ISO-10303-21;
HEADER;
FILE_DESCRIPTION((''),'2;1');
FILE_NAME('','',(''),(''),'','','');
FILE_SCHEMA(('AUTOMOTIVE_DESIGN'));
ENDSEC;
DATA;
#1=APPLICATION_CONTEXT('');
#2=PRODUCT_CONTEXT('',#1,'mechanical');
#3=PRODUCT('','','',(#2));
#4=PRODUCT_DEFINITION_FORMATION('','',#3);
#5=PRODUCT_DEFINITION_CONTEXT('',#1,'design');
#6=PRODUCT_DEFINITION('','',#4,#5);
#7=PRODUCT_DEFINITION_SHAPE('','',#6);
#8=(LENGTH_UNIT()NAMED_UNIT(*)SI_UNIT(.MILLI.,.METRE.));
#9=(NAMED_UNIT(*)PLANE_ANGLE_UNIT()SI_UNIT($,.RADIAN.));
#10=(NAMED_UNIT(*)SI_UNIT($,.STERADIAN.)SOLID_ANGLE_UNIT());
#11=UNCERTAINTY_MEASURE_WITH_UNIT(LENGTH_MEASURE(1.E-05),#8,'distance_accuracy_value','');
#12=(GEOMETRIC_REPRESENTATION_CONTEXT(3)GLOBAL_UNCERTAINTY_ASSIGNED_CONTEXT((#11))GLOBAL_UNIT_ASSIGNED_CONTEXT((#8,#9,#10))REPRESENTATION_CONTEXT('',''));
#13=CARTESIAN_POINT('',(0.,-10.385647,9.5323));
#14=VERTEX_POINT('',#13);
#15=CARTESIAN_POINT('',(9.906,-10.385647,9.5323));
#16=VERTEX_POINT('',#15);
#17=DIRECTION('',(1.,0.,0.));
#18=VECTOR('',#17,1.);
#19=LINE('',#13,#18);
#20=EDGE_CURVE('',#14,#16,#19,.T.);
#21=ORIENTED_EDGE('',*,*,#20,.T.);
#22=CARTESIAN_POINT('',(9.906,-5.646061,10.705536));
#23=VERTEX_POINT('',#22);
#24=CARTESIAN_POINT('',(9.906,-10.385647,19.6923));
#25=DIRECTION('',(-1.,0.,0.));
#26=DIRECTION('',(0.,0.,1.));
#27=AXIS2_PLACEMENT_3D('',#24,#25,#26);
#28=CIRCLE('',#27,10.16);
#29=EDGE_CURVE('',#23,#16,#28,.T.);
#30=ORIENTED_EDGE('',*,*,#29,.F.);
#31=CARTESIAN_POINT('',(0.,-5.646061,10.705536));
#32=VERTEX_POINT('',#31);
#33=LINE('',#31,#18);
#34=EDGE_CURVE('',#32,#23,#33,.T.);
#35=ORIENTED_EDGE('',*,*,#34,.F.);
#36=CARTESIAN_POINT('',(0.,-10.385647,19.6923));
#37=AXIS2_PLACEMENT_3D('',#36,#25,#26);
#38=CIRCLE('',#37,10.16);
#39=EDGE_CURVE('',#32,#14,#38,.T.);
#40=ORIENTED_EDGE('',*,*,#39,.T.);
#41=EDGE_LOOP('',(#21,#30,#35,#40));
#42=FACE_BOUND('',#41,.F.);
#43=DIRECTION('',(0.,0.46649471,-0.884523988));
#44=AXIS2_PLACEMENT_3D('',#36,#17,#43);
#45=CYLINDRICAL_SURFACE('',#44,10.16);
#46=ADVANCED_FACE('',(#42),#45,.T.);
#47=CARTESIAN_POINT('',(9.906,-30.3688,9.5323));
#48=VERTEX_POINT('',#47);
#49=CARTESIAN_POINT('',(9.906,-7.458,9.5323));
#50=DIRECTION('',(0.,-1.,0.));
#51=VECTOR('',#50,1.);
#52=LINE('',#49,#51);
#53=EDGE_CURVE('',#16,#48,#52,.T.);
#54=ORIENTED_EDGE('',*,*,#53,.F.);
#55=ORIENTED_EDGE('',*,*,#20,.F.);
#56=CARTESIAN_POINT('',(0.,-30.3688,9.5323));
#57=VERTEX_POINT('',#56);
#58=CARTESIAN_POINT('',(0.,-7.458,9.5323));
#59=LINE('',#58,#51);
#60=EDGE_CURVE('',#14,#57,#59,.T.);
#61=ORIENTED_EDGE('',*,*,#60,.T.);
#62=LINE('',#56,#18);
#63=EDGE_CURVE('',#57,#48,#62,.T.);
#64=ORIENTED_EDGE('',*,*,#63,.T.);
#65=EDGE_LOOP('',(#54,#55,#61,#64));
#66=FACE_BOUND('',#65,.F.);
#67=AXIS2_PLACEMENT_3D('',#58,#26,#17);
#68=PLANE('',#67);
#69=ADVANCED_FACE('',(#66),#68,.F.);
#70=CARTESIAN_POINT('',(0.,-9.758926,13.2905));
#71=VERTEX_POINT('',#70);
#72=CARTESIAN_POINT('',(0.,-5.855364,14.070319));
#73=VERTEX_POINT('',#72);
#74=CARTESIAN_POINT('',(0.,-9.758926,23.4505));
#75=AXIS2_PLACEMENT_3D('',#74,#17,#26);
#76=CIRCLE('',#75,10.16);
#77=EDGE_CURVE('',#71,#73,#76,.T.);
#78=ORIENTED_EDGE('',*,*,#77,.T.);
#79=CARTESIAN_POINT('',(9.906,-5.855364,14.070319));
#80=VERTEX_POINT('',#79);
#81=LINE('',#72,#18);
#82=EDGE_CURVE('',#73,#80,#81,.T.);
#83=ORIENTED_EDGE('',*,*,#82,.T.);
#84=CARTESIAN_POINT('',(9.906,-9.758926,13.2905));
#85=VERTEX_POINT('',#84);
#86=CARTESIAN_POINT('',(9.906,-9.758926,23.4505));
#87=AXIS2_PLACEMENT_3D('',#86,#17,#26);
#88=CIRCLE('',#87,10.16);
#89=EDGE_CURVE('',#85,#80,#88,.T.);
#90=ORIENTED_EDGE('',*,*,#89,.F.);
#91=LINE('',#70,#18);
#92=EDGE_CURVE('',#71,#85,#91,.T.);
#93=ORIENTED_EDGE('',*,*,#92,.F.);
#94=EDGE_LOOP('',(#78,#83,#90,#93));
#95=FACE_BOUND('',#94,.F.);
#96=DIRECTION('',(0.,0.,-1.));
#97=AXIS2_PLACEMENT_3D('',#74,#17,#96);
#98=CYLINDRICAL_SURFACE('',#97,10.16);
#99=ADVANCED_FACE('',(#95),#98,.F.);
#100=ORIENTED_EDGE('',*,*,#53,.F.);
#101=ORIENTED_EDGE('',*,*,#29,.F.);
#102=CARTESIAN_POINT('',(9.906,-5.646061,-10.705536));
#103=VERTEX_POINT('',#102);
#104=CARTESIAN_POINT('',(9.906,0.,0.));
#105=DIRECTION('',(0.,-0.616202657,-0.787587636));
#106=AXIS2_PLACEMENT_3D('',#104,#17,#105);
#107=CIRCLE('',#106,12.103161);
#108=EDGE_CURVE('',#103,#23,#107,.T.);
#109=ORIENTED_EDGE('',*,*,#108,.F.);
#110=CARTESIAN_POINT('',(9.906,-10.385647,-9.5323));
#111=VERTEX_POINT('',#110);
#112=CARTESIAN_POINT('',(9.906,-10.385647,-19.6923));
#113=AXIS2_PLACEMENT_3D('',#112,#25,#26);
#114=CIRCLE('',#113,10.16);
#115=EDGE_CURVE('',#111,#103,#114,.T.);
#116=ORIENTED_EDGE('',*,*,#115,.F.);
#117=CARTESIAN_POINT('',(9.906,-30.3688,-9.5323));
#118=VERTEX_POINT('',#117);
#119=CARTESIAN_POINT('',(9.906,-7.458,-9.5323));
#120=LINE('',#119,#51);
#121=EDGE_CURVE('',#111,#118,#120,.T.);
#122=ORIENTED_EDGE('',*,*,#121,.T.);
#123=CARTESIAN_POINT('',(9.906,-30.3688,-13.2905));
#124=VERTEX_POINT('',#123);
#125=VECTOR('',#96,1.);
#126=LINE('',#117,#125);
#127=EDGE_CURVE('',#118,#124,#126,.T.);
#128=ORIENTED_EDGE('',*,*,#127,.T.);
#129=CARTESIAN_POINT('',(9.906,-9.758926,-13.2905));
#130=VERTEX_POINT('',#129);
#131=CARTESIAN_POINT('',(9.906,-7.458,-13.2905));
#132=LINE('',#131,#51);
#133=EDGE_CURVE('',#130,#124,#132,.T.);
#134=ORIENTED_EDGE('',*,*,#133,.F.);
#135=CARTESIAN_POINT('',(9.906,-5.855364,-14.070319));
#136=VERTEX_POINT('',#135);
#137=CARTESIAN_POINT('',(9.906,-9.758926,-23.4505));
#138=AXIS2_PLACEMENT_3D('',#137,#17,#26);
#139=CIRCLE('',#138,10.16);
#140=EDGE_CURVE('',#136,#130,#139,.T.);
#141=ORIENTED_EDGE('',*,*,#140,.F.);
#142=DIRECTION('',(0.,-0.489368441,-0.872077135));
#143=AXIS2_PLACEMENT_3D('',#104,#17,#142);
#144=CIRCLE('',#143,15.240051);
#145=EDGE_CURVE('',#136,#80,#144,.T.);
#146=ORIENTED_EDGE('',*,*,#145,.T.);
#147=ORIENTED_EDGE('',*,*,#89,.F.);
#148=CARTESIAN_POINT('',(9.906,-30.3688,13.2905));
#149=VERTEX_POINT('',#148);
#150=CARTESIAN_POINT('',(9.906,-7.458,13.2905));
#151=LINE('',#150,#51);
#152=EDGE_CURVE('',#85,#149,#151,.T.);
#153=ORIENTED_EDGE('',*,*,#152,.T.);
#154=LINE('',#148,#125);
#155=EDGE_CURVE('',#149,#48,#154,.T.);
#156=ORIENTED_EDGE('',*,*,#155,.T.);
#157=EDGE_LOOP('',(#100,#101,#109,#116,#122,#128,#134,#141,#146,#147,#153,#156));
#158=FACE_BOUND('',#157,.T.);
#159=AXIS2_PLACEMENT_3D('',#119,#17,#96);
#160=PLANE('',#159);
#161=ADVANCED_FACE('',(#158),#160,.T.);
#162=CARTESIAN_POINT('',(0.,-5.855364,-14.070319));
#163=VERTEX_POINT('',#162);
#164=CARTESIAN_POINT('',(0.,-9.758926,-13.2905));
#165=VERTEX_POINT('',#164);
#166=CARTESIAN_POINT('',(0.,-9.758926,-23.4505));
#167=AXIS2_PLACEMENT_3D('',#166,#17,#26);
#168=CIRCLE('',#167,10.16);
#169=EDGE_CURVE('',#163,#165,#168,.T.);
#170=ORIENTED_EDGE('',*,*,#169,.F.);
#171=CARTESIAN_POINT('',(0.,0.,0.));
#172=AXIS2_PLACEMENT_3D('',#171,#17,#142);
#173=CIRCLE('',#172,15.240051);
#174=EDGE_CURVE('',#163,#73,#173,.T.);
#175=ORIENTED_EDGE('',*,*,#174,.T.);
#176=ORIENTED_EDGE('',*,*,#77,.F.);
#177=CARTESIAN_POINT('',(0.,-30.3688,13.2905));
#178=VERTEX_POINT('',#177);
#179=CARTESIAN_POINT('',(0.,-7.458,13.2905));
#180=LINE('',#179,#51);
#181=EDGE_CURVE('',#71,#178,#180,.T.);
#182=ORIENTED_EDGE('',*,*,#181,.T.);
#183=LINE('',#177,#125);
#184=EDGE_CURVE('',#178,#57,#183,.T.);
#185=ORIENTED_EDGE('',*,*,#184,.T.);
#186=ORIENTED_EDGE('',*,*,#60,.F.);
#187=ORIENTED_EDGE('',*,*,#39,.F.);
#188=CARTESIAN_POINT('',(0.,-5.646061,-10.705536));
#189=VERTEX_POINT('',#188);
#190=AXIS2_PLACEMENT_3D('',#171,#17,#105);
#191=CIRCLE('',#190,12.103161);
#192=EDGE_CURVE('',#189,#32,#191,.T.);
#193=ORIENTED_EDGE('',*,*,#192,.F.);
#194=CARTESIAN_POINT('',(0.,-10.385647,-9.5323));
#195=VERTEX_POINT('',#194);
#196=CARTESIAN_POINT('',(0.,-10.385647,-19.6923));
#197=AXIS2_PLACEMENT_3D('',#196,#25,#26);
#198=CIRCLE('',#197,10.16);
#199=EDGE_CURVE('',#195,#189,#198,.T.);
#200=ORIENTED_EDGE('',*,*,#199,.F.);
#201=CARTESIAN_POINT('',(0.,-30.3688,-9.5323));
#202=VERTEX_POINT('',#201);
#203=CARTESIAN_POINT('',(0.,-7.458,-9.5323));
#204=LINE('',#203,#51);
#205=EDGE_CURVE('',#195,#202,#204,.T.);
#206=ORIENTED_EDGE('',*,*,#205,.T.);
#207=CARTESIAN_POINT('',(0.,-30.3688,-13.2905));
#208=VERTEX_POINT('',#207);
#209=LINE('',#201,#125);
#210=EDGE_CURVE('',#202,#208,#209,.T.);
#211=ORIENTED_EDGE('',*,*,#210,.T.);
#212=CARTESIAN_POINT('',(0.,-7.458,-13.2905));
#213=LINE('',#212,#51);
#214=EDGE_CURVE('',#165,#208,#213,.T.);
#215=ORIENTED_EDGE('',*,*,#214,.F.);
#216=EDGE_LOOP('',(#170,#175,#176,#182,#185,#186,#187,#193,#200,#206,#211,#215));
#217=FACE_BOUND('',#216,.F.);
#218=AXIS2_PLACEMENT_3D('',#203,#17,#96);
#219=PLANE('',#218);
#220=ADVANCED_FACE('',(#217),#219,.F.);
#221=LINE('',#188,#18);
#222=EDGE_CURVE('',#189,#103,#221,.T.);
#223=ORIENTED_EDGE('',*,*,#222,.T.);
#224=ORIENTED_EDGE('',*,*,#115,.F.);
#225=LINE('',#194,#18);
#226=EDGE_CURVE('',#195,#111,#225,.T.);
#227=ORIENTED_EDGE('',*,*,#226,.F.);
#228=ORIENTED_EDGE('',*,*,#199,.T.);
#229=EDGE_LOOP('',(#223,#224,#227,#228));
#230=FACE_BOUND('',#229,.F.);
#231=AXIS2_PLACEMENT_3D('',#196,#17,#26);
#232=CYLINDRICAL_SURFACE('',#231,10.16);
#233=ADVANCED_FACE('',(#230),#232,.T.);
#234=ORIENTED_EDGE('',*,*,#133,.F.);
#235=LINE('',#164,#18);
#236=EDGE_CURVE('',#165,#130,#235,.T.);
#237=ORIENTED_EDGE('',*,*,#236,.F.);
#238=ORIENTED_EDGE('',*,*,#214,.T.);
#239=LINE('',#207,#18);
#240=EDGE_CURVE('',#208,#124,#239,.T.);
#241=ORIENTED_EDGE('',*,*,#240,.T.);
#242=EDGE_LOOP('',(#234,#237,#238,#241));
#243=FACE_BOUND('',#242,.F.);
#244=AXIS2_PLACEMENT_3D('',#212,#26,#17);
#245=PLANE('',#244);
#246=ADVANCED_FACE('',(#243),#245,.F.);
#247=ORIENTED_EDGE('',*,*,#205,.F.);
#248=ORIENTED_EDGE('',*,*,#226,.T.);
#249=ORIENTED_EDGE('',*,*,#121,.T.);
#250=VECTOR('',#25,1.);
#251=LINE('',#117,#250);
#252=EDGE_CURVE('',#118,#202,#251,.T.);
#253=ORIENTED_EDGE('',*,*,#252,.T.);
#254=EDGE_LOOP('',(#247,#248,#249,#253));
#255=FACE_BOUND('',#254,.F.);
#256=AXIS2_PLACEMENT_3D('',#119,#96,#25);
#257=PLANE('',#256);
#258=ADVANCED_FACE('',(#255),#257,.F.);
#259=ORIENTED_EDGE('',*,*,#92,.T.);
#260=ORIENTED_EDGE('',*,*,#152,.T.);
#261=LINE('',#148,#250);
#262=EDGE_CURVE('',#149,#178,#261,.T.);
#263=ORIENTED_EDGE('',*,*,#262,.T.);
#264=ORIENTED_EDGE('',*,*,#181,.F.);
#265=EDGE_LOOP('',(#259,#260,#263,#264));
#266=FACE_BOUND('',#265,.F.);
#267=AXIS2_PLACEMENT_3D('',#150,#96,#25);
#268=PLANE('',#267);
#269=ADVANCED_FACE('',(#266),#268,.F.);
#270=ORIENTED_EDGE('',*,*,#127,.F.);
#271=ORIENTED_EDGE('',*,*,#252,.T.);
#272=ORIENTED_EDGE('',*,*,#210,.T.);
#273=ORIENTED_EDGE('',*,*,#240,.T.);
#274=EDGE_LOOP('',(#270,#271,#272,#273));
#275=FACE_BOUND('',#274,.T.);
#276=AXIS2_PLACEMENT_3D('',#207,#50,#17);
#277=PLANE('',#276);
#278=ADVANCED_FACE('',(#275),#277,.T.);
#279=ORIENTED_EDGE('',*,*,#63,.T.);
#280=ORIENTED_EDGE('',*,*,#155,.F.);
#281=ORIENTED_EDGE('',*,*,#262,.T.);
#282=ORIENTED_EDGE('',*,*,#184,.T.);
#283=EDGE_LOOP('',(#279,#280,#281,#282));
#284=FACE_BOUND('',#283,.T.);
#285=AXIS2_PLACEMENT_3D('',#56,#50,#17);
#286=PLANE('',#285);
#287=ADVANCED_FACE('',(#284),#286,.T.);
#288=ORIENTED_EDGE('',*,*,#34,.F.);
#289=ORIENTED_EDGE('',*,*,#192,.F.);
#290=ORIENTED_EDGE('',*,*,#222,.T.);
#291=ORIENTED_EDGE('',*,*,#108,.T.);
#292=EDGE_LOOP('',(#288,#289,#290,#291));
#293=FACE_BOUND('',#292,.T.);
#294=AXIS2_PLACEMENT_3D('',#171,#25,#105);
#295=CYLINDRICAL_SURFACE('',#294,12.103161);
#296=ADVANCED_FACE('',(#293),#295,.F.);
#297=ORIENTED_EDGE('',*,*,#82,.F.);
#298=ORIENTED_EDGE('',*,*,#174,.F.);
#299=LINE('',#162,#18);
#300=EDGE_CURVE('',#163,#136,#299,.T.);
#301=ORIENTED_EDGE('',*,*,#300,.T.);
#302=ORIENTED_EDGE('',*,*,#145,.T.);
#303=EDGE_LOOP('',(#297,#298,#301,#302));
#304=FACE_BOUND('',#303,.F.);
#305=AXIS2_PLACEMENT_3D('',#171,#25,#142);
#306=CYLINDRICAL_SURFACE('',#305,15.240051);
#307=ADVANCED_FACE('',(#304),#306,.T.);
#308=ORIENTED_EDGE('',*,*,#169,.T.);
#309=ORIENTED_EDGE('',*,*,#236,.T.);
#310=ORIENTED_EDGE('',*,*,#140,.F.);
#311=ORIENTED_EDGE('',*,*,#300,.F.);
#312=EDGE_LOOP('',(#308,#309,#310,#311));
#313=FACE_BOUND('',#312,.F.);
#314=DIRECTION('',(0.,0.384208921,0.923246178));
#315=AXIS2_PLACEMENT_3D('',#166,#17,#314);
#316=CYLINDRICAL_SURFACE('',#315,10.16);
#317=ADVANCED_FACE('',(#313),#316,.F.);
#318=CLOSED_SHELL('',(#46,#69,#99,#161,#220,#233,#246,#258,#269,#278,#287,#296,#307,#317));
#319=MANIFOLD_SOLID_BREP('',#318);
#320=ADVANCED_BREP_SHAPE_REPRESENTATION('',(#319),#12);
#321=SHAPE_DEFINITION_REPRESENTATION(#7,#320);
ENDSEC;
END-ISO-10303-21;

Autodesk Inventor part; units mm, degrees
ref_plane "YZ Plane" through (0, 0, 0) normal (1, 0, 0) x (0, 1, 0)
ref_plane "XZ Plane" through (0, 0, 0) normal (0, 1, 0) x (-1, 0, 0)
ref_plane "XY Plane" through (0, 0, 0) normal (0, 0, 1) x (1, 0, 0)
sketch "Sketch1" plane through (0, 0, 0) normal (1, 0, 0) x (0, 1, 0)
  line L0 (-7.458, 13.2905) -> (-7.458, -13.2905)
  arc A0 (-7.458, -9.5323) -> (-7.458, 9.5323) centre (0, 0) ccw
  arc A1 (-7.458, -13.2905) -> (-7.458, 13.2905) centre (0, 0) ccw
  point P0 (0, 0)
extrude "Extrusion1" add sketch "Sketch1" along normal blind 9.906 contours A1 L0 A0
sketch "Sketch2" plane through (0, -7.458, 9.5323) normal (0, -1, 0) x (1, 0, 0)
  line L0 (9.906, 3.7582) -> (9.906, 0) projected
  line L1 (9.906, 3.7582) -> (0, 3.7582)
  line L2 (0, 3.7582) -> (0, 0)
  line L3 (0, 0) -> (9.906, 0)
  line L4 (9.906, 0) -> (9.906, 3.7582)
  point P0 (0, -9.5323)
extrude "Extrusion2" add sketch "Sketch2" along normal blind 22.9108
sketch "Sketch3" plane through (0, -7.458, -13.2905) normal (0, -1, 0) x (1, 0, 0)
  line L0 (9.906, 3.7582) -> (9.906, 0) projected
  line L1 (9.906, 3.7582) -> (0, 3.7582)
  line L2 (0, 3.7582) -> (0, 0)
  line L3 (0, 0) -> (9.906, 0)
  line L4 (9.906, 0) -> (9.906, 3.7582)
  point P0 (0, 13.2905)
extrude "Extrusion3" add sketch "Sketch3" along normal blind 22.9108
fillet "Fillet1" radius 10.16 1 edges at (4.953, -7.458, -9.5323)
fillet "Fillet2" radius 10.16 1 edges at (4.953, -7.458, 9.5323)
fillet "Fillet3" radius 10.16 1 edges at (4.953, -7.458, 13.2905)
fillet "Fillet4" radius 10.16 1 edges at (4.953, -7.458, -13.2905)
sketch "Sketch5" plane through (9.906, 0, 0) normal (1, 0, 0) x (0, 0, -1)
  point P0 (0, 0)
properties part number "eye motor holder2_3DPrint"
